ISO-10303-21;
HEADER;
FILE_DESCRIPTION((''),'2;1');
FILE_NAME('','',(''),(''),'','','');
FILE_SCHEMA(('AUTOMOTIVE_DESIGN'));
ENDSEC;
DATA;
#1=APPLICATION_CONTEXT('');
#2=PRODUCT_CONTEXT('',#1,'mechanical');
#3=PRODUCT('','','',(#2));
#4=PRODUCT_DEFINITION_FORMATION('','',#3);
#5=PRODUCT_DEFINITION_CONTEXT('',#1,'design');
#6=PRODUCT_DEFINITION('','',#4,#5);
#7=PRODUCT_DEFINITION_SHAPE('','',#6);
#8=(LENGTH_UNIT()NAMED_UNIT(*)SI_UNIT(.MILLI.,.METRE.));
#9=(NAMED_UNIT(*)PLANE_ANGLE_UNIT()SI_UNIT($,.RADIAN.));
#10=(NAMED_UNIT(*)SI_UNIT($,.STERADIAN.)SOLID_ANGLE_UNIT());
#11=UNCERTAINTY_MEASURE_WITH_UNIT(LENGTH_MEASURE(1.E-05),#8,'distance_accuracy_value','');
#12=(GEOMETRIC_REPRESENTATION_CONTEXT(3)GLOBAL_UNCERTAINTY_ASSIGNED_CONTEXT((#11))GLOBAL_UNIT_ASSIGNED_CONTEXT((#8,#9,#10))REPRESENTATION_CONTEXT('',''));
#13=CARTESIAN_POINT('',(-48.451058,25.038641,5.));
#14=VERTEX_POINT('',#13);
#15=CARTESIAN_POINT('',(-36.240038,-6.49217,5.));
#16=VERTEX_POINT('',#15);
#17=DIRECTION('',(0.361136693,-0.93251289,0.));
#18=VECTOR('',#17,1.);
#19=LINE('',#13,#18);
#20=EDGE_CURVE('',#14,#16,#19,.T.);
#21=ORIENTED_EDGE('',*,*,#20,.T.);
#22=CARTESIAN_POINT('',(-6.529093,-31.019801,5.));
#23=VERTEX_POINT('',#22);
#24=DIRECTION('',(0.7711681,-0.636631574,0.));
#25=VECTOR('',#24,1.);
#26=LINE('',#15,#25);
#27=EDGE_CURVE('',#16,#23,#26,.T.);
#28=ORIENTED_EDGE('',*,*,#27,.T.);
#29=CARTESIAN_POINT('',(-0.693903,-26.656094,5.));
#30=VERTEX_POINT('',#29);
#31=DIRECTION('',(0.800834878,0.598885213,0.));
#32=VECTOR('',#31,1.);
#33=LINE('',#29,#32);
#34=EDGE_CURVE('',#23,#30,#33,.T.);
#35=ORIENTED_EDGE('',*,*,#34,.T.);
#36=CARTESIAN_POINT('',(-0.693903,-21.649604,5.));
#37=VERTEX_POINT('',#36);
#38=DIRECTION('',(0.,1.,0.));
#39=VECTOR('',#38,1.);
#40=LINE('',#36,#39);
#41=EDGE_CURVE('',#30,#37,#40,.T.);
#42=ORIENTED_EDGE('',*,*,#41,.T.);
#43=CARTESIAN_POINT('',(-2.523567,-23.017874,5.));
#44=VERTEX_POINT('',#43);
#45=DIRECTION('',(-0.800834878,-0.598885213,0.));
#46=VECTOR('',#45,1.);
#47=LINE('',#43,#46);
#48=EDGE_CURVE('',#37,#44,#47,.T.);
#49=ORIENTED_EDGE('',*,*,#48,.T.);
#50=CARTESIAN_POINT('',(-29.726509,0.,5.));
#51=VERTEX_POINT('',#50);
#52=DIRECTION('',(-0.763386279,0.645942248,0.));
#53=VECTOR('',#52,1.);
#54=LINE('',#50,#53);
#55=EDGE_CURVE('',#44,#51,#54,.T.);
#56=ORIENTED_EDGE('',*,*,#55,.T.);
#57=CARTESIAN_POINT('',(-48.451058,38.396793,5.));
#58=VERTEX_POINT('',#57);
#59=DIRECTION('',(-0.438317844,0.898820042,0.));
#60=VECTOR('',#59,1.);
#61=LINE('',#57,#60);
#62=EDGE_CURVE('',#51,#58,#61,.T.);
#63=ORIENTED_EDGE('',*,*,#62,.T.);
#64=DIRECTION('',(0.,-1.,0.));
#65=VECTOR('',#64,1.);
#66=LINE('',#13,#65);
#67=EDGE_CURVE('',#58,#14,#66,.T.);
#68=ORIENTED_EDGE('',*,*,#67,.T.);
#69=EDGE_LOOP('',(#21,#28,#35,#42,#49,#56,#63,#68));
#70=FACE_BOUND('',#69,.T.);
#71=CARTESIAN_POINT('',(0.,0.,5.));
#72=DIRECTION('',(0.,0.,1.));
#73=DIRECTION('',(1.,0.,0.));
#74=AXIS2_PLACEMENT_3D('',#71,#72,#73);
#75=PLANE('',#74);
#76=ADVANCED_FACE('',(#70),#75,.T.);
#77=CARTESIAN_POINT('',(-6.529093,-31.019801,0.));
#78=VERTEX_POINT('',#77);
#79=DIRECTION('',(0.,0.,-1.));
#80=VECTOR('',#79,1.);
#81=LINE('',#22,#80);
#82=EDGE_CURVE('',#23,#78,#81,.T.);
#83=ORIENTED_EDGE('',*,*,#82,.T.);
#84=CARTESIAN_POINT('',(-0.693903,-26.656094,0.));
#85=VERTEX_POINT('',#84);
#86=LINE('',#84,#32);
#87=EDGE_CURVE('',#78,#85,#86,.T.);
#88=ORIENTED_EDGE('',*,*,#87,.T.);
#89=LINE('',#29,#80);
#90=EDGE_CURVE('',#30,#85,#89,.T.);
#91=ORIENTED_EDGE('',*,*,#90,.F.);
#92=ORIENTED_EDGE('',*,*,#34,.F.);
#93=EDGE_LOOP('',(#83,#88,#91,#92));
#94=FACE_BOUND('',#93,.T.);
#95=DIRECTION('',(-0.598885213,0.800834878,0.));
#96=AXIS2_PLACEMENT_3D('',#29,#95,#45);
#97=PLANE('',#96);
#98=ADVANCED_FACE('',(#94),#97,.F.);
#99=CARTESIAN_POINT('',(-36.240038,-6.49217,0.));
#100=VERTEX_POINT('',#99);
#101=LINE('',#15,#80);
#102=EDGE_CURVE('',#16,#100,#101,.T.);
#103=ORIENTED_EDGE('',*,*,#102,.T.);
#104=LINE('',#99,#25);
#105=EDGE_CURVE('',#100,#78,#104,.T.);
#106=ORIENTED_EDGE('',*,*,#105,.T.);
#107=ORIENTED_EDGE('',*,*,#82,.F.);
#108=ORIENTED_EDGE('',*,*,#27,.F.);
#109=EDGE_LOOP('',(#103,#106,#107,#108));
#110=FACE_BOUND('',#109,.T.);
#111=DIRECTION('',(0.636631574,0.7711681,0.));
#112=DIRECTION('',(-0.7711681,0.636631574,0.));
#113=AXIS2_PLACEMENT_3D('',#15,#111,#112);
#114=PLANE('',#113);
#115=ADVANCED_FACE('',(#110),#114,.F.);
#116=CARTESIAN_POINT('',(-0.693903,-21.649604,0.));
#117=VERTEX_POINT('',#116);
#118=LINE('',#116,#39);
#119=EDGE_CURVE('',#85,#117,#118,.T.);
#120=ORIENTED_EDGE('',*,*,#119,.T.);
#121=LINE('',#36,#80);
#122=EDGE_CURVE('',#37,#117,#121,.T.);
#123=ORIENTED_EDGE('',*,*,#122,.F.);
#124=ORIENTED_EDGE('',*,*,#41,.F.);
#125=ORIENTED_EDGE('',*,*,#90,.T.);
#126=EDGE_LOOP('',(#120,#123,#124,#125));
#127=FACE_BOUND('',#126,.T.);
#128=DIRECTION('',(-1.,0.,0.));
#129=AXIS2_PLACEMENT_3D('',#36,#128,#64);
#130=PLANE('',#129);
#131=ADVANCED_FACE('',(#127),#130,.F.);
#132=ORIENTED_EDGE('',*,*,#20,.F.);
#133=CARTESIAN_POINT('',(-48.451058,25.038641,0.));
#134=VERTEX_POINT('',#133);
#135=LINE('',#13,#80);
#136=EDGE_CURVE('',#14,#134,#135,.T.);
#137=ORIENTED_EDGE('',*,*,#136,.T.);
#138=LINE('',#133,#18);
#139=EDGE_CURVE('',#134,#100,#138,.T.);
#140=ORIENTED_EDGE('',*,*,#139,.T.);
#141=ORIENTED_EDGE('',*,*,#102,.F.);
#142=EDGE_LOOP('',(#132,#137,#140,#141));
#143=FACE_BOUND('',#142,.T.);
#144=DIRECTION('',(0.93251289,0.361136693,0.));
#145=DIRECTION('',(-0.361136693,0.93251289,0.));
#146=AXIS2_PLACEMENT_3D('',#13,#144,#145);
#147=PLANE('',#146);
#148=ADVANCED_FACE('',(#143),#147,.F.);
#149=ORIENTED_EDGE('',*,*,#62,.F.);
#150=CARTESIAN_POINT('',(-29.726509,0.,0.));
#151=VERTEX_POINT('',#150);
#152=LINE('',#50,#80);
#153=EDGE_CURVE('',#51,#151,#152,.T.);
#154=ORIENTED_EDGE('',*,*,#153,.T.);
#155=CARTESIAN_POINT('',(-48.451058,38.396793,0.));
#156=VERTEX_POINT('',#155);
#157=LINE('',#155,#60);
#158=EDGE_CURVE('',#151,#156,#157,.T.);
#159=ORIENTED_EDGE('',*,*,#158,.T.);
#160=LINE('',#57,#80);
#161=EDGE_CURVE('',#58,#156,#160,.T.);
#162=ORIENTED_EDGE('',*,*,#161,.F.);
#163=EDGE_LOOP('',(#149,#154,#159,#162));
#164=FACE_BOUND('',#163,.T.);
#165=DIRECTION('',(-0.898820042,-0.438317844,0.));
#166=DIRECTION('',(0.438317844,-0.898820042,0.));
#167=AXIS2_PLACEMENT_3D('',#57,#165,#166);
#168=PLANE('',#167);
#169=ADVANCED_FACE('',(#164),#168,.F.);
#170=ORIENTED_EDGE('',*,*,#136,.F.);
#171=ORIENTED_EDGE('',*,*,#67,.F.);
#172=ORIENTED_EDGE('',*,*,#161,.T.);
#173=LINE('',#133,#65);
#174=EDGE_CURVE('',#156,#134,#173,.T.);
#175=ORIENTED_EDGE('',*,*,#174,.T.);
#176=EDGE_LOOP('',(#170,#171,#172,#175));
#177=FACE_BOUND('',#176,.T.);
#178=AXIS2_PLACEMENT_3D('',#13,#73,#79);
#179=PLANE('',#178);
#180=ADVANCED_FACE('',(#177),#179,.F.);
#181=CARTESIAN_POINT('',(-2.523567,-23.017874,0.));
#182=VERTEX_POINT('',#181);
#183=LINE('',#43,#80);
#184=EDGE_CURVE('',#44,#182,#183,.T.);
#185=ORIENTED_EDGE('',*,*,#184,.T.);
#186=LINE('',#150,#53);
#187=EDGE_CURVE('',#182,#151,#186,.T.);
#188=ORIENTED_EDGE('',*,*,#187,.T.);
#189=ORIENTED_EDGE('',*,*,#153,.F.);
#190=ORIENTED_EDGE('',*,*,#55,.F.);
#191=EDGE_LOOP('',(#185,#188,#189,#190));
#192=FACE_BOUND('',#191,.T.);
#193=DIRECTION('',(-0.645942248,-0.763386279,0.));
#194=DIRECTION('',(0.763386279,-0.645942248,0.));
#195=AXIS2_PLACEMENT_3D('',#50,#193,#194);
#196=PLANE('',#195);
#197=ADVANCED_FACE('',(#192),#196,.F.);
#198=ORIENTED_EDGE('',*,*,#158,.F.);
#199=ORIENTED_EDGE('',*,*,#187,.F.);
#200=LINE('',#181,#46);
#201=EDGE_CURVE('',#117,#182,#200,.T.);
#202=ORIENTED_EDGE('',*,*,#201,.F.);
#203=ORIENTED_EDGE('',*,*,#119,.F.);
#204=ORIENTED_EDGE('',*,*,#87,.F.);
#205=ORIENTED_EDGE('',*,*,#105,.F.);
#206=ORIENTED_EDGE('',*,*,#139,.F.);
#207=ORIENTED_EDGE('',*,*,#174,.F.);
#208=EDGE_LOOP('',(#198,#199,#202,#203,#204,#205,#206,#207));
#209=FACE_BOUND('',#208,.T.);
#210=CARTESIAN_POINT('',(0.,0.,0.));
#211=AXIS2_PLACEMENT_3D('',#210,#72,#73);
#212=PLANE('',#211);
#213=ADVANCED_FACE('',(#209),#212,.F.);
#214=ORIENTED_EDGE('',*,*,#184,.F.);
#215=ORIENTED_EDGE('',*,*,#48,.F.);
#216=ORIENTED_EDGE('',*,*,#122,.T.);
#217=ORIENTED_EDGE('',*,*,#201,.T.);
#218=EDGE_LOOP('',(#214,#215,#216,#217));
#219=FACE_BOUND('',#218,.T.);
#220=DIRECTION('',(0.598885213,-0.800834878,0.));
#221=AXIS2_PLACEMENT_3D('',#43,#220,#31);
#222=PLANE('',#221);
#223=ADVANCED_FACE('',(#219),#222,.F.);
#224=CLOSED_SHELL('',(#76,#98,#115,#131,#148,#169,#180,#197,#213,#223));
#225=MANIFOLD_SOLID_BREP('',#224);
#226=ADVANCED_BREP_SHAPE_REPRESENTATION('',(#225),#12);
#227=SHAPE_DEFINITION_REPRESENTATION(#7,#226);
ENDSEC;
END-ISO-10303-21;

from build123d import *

# Parameters (mm, degrees)
SALIENTE_EXTRUIR1_DEPTH = 5


with BuildPart() as part:
    # Croquis1 → Saliente-Extruir1 (new body)
    with BuildSketch(Plane.XY):
        Polygon((-2.523567422, -23.017874122), (-0.693903445, -21.649603669), (-0.693903445, -26.656094086), (-6.529092756, -31.019800875), (-36.240038447, -6.492170482), (-48.451057668, 25.038640576), (-48.451057668, 38.396793067), (-29.726509063, 0), align=None)
    extrude(amount=SALIENTE_EXTRUIR1_DEPTH)


solid = part.part
